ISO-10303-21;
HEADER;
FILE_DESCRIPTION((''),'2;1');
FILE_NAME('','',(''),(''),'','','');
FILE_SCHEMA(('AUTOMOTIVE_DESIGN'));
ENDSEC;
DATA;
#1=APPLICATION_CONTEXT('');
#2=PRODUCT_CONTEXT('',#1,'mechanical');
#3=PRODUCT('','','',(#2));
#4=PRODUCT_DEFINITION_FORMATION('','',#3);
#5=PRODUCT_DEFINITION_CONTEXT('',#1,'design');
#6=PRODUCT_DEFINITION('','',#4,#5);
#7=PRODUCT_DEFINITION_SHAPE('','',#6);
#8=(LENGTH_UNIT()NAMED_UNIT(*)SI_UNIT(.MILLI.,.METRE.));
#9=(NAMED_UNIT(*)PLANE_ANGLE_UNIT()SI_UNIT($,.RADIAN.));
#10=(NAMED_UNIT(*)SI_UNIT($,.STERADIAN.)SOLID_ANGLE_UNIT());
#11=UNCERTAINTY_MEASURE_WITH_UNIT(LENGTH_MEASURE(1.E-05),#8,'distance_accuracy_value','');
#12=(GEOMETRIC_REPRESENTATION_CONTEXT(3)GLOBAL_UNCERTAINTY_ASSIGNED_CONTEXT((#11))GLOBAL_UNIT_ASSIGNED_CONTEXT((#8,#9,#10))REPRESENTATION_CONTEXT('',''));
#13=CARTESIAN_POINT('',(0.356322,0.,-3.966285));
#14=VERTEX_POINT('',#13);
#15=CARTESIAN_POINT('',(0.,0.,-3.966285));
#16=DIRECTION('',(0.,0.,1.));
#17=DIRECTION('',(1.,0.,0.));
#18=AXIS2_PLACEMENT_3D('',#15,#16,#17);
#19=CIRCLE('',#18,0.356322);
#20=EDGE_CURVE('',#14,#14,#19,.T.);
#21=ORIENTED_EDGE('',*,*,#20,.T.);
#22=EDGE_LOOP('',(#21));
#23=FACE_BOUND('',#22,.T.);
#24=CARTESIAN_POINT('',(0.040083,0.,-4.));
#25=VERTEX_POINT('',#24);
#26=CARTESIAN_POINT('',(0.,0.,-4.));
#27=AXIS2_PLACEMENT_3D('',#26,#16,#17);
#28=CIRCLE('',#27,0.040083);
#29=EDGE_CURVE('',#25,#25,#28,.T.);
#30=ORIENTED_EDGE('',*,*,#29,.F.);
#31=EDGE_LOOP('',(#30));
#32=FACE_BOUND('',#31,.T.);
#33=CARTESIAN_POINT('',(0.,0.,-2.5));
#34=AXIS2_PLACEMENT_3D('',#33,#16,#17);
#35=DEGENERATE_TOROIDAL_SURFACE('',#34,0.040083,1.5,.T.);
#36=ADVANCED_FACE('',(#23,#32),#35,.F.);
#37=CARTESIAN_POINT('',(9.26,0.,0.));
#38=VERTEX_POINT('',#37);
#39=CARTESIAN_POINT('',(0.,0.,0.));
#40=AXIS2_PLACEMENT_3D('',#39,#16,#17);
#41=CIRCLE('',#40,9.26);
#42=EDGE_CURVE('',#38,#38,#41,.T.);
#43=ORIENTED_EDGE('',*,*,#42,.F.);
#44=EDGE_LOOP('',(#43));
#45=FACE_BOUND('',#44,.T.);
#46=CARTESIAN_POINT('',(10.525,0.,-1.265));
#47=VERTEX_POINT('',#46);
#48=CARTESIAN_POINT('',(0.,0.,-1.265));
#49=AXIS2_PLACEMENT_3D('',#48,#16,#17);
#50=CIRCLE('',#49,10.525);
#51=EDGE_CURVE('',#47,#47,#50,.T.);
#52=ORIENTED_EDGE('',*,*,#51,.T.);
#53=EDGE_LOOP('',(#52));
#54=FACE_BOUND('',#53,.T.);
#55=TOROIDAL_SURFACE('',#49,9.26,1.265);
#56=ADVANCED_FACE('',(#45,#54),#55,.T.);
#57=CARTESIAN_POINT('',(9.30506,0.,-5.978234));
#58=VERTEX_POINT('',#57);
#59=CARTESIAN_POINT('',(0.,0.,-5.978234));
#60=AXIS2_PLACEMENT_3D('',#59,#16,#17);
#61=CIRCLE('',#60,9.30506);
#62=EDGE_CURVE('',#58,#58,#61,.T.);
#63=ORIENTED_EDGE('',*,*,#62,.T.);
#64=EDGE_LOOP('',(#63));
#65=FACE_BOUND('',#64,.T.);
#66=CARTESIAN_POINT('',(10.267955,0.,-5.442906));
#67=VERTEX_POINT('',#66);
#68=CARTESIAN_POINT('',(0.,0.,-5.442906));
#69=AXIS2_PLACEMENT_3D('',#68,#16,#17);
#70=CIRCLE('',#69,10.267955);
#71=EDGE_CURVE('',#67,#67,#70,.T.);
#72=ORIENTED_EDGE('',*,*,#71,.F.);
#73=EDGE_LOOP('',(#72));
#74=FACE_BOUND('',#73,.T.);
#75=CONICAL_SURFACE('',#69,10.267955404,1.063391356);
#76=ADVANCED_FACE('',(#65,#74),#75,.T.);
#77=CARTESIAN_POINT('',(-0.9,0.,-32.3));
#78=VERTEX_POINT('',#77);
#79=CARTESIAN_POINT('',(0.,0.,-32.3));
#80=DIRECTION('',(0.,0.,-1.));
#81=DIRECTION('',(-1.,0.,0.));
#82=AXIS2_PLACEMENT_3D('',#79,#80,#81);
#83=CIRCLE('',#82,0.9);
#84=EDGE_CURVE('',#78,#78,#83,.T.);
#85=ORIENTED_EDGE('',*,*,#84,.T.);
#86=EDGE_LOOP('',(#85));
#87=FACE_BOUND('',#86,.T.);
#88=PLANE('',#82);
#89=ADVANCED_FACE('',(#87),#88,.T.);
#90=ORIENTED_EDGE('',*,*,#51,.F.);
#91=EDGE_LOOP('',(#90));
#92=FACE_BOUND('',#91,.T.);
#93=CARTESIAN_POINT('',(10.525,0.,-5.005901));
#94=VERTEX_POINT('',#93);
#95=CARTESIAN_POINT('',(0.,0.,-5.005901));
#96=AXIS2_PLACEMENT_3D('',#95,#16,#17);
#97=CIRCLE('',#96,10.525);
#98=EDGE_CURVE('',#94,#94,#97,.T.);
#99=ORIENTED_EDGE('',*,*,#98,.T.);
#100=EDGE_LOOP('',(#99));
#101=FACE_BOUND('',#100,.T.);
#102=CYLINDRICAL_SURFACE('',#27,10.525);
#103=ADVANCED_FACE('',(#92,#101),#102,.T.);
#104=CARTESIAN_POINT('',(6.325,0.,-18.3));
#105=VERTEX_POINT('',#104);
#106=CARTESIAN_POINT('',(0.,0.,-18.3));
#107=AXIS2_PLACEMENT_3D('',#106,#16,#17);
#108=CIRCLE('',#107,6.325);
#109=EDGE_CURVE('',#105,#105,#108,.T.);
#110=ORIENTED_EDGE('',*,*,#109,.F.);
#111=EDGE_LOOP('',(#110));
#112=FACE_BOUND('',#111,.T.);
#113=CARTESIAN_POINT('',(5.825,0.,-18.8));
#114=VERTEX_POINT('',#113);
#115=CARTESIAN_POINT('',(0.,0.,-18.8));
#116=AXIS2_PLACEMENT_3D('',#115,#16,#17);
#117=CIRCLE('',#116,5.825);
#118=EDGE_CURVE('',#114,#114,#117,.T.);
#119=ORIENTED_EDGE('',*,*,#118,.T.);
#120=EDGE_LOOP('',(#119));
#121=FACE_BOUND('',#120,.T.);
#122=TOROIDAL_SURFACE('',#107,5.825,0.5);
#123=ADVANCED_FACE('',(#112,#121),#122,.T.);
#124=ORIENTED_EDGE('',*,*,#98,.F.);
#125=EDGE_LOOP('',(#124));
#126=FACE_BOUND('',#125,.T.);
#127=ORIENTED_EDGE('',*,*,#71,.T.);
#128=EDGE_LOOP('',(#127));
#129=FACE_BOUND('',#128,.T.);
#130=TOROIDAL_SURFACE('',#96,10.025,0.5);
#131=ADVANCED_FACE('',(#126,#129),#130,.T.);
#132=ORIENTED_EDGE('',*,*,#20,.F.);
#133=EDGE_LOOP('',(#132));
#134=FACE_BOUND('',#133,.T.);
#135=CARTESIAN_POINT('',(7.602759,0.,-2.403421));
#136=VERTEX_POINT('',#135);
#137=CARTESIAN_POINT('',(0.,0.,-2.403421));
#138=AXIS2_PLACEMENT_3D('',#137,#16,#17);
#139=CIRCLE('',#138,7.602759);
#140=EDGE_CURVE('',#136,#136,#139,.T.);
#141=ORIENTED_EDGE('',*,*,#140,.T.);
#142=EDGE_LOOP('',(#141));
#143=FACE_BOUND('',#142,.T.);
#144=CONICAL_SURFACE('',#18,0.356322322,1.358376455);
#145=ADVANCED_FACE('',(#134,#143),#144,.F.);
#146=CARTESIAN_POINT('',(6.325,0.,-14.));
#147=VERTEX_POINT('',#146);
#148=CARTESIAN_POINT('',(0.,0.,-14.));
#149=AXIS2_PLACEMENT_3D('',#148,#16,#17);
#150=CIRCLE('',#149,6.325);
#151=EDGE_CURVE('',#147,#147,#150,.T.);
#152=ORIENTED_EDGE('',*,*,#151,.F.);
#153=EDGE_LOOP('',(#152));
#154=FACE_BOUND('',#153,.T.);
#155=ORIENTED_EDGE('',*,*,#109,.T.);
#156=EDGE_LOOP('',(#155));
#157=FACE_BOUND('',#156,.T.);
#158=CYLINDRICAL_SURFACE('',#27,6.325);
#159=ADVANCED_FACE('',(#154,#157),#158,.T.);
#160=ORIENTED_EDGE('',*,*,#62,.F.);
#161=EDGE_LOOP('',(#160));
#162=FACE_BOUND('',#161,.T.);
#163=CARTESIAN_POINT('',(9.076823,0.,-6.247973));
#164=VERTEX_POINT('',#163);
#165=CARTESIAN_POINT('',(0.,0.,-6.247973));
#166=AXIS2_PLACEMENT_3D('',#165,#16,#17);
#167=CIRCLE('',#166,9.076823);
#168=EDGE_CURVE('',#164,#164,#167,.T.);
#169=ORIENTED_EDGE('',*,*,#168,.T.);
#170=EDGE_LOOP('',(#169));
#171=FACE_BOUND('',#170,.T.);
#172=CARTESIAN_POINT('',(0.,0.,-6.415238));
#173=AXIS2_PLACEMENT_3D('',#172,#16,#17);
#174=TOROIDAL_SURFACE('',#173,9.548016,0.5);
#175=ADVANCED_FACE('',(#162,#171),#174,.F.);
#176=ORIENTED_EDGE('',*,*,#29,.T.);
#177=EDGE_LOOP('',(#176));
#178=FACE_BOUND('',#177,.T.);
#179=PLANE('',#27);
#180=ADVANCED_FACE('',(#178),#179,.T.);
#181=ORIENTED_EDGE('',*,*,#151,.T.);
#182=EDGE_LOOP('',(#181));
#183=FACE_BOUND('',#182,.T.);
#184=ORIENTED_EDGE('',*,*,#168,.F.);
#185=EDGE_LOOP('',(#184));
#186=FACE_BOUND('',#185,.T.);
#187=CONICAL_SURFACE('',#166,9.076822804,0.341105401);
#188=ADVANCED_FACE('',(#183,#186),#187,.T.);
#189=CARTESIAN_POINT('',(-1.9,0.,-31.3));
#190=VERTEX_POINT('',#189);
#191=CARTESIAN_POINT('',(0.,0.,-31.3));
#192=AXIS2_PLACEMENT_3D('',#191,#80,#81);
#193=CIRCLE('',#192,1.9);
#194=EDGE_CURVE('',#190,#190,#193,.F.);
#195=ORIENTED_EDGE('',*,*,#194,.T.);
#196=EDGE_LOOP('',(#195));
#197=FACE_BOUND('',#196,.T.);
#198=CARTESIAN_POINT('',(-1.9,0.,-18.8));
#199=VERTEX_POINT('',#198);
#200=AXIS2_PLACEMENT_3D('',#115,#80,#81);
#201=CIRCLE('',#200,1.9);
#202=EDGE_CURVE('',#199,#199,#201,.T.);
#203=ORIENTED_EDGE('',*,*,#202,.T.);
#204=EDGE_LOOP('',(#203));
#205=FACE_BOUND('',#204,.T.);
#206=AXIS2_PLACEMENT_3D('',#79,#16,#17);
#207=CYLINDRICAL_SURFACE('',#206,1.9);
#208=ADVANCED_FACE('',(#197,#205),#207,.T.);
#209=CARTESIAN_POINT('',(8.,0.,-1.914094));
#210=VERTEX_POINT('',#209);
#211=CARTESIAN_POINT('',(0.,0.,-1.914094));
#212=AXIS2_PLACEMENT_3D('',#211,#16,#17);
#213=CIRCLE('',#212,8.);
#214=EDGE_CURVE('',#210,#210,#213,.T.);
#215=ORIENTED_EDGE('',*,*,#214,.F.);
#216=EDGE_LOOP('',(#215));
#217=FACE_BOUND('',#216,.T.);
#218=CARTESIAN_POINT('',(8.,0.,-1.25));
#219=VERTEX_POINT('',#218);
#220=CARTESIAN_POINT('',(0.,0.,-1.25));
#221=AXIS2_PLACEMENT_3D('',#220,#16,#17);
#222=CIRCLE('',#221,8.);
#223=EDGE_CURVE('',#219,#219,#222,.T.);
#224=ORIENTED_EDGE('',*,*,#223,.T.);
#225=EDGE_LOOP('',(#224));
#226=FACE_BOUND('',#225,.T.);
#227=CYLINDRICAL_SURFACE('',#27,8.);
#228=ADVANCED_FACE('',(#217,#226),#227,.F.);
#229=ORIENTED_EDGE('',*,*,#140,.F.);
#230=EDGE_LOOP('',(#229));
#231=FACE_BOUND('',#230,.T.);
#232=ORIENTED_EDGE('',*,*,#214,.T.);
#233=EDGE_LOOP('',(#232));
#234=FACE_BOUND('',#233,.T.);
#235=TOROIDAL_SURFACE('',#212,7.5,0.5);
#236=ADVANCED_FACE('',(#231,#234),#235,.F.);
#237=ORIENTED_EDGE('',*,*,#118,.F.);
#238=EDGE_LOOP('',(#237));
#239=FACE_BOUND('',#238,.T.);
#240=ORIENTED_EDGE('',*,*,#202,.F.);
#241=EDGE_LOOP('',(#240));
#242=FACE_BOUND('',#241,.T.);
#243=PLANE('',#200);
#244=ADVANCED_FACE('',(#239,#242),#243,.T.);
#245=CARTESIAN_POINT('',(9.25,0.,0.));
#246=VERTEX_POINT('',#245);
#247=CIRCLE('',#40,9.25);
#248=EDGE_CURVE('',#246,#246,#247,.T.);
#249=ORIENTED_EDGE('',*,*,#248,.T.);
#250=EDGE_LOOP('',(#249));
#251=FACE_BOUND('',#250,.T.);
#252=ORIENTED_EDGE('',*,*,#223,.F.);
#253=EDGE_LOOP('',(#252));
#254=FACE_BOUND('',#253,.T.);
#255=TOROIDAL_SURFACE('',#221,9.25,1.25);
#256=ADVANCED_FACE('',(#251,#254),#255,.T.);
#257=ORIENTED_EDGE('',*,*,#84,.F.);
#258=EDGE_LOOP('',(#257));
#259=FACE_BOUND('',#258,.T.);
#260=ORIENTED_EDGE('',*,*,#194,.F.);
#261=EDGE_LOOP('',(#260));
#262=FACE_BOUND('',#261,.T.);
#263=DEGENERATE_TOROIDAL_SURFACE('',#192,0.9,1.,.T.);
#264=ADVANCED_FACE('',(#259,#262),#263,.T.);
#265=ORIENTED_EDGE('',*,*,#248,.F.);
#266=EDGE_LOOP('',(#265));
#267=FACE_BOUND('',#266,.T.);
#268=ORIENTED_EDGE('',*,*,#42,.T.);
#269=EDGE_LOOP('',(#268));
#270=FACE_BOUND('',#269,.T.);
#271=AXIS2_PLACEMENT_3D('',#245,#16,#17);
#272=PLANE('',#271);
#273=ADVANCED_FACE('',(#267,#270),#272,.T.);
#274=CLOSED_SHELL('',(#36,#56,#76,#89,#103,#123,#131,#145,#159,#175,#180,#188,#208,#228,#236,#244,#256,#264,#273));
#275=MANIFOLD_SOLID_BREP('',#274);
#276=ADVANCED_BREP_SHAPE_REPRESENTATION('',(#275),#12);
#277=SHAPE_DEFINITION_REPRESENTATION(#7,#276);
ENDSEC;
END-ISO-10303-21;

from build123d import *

# Parameters (mm, degrees)
SZKIC2_R                    = 1.9
DODANIE_WYCI_GNI_CIE1_DEPTH = 13.5
ZAOKR_GLENIE1_R             = 1


with BuildPart() as part:
    # Szkic1 → Obrót1 (revolve)
    with BuildSketch(Plane(origin=(0, 0, 0), x_dir=(1, 0, 0), z_dir=(0, 1, 0))):
        with BuildLine():
            Line((0, 4), (0, 18.8))
            Line((0, 18.8), (5.825, 18.8))
            ThreePointArc((5.825, 18.8), (6.178553391, 18.653553391), (6.325, 18.3))
            Line((6.325, 18.3), (6.325, 14))
            Line((6.325, 14), (9.076822804, 6.247973417))
            ThreePointArc((9.076822804, 6.247973417), (9.166319625, 6.092270066), (9.305060126, 5.978233721))
            Line((9.305060126, 5.978233721), (10.267955404, 5.44290566))
            ThreePointArc((10.267955404, 5.44290566), (10.455974304, 5.259399287), (10.525, 5.005901459))
            Line((10.525, 5.005901459), (10.525, 1.265))
            ThreePointArc((10.525, 1.265), (10.154490078, 0.370509922), (9.26, 0))
            Line((9.26, 0), (9.25, 0))
            ThreePointArc((9.25, 0), (8.366116524, 0.366116524), (8, 1.25))
            Line((8, 1.25), (8, 1.914093942))
            ThreePointArc((8, 1.914093942), (7.888187653, 2.229229382), (7.602758617, 2.40342069))
            Line((7.602758617, 2.40342069), (0.356322322, 3.966285408))
            ThreePointArc((0.356322322, 3.966285408), (0.199098874, 3.991547537), (0.040083327, 4))
            Line((0.040083327, 4), (0, 4))
        make_face()
    revolve(axis=Axis((0, 0, -4), (0, 0, -1)))

    # Szkic2 → Dodanie-wyciągnięcie1 (add)
    with BuildSketch(Plane(origin=(0, 0, -18.8), x_dir=(-1, 0, 0), z_dir=(0, 0, -1))):
        Circle(SZKIC2_R)
    extrude(amount=DODANIE_WYCI_GNI_CIE1_DEPTH)

    # Zaokrąglenie1
    zaokr_glenie1_edges = [part.edges().sort_by_distance(p)[0] for p in [
        (1.9, 0, -32.3),
    ]]
    fillet(zaokr_glenie1_edges, radius=ZAOKR_GLENIE1_R)


solid = part.part
